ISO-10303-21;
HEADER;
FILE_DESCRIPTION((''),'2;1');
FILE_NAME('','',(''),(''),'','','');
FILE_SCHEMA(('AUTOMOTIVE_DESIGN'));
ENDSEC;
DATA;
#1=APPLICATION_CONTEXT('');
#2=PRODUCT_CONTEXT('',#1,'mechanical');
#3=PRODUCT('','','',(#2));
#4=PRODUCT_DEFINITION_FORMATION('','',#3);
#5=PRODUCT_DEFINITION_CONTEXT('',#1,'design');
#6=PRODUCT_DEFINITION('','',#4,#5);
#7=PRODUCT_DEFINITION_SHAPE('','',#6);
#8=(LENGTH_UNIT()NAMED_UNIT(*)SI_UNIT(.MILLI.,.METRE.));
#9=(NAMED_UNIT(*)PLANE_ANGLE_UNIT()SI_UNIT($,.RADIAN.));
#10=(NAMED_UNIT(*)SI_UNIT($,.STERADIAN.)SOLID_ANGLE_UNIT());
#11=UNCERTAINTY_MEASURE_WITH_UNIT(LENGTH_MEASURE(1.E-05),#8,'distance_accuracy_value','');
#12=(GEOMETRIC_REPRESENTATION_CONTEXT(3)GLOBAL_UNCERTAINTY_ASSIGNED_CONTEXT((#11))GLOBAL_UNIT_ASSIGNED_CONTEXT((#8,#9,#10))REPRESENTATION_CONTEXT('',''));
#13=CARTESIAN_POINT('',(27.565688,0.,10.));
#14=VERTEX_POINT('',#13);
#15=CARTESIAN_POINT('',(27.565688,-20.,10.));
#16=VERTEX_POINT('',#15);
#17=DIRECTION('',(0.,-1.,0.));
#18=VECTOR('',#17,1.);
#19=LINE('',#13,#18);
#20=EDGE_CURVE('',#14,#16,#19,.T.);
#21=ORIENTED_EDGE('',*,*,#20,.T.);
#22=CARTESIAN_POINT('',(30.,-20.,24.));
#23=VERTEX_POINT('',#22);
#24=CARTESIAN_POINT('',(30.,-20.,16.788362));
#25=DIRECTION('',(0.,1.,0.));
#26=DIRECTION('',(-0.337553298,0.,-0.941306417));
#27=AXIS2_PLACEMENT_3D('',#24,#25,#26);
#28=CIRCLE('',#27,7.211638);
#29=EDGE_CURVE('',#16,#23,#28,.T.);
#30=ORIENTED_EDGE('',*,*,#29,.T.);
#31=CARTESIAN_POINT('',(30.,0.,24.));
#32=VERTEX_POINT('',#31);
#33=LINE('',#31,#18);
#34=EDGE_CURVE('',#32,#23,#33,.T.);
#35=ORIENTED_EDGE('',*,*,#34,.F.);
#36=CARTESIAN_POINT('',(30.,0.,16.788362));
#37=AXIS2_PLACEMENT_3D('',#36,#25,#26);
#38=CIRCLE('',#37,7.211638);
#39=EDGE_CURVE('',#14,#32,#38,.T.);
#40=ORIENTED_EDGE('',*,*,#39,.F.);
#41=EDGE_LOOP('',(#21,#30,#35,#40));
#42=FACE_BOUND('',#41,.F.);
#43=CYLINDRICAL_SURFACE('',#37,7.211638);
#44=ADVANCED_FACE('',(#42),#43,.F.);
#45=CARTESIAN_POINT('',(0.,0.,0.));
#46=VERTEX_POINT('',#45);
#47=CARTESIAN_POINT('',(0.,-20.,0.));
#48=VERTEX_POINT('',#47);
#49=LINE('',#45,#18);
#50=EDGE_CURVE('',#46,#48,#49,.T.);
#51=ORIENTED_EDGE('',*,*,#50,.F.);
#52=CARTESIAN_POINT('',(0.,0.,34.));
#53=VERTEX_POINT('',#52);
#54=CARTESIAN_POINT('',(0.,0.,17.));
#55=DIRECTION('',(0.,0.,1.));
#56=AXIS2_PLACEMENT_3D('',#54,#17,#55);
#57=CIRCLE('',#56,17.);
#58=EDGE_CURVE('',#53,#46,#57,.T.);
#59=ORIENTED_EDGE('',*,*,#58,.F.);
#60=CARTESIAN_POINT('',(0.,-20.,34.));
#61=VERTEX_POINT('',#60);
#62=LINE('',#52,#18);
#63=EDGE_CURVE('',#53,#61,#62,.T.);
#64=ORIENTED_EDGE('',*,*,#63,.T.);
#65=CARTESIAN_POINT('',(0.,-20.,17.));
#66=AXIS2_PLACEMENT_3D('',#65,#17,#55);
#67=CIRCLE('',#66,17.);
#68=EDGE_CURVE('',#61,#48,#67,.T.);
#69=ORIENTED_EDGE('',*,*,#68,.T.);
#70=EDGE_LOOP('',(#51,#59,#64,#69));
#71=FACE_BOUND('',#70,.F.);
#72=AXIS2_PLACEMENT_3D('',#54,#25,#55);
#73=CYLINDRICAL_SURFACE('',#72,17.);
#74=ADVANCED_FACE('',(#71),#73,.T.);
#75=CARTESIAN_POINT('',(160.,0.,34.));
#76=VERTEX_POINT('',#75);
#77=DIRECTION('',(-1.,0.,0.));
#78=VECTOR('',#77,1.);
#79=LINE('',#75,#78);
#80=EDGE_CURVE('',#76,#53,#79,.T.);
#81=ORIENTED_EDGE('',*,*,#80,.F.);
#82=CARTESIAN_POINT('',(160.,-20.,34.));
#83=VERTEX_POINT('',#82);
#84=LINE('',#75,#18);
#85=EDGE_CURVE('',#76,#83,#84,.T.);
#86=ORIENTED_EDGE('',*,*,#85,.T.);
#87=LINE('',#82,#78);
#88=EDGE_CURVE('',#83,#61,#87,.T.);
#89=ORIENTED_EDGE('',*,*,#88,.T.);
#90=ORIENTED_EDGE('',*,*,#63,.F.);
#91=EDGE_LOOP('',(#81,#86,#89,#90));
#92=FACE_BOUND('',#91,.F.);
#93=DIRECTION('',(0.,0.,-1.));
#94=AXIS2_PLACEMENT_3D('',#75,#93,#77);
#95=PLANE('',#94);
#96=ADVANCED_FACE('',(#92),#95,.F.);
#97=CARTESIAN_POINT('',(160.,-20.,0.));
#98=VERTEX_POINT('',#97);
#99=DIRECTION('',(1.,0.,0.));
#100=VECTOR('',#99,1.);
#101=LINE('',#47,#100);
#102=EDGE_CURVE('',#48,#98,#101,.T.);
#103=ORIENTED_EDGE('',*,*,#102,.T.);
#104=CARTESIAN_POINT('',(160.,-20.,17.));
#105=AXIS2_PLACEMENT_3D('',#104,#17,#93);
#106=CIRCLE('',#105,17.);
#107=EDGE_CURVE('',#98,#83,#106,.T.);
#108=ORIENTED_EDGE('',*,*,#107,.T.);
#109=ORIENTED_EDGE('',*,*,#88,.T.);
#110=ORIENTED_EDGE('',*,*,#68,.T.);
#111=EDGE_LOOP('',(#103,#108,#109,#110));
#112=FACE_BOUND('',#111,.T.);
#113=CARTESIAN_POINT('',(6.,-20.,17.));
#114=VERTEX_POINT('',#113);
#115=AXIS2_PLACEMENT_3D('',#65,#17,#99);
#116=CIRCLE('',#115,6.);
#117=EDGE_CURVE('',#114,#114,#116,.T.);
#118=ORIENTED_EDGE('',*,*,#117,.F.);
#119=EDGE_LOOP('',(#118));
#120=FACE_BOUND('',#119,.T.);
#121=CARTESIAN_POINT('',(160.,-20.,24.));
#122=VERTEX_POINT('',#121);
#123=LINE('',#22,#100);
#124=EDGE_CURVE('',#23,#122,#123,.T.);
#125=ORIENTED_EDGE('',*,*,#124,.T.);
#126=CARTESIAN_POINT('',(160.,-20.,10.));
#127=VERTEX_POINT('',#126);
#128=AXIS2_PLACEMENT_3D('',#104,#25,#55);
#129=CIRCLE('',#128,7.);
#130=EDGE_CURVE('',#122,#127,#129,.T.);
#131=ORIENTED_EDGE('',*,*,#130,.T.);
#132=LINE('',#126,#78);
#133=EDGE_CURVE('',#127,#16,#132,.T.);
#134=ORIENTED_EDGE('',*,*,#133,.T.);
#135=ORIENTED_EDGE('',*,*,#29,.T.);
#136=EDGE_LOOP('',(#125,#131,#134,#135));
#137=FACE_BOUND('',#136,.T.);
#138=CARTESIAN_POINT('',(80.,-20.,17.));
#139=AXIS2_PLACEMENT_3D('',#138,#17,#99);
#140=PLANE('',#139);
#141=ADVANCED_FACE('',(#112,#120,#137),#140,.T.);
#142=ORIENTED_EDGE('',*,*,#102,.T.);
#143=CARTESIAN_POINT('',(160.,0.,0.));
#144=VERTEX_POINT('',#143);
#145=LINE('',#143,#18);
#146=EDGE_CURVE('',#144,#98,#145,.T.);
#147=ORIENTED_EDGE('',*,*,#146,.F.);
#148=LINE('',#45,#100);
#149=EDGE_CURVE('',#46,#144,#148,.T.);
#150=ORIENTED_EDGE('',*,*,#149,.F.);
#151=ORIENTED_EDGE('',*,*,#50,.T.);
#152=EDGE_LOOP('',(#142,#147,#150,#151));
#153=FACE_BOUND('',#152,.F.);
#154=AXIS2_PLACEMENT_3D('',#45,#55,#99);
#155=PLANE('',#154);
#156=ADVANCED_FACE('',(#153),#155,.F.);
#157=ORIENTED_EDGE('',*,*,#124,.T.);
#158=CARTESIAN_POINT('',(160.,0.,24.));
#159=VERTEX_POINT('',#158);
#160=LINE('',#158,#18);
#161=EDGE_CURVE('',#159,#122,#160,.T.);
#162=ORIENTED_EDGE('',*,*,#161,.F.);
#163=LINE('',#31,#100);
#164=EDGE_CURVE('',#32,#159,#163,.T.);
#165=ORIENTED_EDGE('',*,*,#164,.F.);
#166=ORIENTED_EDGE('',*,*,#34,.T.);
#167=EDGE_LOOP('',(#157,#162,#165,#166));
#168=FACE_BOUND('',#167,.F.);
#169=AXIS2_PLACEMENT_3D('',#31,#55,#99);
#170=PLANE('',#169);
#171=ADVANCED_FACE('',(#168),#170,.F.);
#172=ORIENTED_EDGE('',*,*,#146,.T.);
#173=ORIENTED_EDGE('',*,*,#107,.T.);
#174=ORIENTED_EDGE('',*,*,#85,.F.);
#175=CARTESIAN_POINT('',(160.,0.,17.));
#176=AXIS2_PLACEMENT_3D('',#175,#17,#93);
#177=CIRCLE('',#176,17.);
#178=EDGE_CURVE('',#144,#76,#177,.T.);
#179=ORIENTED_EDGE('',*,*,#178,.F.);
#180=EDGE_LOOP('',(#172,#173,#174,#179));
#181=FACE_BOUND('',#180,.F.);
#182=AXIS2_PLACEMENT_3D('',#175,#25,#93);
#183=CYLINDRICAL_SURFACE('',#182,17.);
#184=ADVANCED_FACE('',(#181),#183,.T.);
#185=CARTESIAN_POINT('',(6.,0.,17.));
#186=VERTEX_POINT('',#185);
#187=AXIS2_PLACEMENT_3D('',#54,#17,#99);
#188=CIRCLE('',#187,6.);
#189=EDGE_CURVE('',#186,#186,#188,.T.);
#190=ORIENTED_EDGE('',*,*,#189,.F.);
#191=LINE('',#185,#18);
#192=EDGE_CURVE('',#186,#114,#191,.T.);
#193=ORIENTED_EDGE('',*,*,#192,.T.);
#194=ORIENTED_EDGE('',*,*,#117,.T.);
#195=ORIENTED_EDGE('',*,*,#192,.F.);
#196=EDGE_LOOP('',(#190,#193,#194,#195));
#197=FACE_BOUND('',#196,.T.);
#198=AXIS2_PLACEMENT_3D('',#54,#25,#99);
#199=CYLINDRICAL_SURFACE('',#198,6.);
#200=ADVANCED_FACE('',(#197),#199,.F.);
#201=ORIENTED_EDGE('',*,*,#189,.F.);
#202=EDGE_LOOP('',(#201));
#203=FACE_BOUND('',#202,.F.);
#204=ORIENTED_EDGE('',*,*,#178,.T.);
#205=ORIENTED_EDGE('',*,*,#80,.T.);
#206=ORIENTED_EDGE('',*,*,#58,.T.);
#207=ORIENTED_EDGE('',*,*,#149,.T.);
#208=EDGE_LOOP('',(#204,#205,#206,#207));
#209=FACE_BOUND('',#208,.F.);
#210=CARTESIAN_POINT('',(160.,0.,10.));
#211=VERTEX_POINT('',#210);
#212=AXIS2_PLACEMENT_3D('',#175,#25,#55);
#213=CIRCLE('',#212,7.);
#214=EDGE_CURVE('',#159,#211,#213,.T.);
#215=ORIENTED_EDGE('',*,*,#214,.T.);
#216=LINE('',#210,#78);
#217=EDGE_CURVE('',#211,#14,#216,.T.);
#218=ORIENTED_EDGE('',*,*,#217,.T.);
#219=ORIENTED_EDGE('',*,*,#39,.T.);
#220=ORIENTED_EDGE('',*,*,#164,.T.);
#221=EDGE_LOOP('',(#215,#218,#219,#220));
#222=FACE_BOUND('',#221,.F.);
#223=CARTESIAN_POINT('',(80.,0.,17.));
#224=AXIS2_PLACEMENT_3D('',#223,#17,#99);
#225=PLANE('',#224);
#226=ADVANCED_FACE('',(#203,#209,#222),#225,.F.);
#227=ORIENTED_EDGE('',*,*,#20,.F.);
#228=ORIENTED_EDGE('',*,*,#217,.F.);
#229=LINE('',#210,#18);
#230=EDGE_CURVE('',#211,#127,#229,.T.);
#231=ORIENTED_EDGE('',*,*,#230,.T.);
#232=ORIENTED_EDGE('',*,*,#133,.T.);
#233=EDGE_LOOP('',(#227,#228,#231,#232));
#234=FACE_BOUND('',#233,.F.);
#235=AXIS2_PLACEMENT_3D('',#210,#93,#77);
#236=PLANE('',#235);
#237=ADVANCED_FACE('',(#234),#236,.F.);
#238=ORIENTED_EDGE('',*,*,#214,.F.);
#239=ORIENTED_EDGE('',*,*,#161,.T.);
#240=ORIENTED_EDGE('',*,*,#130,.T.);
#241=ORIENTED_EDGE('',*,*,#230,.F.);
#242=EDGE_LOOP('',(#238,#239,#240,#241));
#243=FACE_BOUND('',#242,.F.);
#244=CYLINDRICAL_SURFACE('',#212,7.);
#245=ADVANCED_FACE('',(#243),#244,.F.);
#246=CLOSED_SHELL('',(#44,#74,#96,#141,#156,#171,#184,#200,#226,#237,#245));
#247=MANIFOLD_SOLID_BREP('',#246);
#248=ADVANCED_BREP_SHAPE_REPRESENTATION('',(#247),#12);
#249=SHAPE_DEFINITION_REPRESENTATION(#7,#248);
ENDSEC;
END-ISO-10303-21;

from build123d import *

# Parameters (mm, degrees)
F0_R     = 6
F1_DEPTH = 20


with BuildPart() as f1:
    # F0 (on Front) → F1 (new body)
    with BuildSketch(Plane.XZ):
        with BuildLine():
            Line((160, 34), (0, 34))
            ThreePointArc((0, 34), (-17, 17), (0, 0))
            Line((0, 0), (160, 0))
            ThreePointArc((160, 0), (177, 17), (160, 34))
        make_face()
        with Locations((0, 17)):
            Circle(F0_R, mode=Mode.SUBTRACT)
        with BuildLine():
            ThreePointArc((27.565688, 10), (22.894969, 18.02378), (30, 24))
            Line((30, 24), (160, 24))
            ThreePointArc((160, 24), (167, 17), (160, 10))
            Line((160, 10), (27.565688, 10))
        make_face(mode=Mode.SUBTRACT)
    extrude(amount=F1_DEPTH)


solid = f1.part
